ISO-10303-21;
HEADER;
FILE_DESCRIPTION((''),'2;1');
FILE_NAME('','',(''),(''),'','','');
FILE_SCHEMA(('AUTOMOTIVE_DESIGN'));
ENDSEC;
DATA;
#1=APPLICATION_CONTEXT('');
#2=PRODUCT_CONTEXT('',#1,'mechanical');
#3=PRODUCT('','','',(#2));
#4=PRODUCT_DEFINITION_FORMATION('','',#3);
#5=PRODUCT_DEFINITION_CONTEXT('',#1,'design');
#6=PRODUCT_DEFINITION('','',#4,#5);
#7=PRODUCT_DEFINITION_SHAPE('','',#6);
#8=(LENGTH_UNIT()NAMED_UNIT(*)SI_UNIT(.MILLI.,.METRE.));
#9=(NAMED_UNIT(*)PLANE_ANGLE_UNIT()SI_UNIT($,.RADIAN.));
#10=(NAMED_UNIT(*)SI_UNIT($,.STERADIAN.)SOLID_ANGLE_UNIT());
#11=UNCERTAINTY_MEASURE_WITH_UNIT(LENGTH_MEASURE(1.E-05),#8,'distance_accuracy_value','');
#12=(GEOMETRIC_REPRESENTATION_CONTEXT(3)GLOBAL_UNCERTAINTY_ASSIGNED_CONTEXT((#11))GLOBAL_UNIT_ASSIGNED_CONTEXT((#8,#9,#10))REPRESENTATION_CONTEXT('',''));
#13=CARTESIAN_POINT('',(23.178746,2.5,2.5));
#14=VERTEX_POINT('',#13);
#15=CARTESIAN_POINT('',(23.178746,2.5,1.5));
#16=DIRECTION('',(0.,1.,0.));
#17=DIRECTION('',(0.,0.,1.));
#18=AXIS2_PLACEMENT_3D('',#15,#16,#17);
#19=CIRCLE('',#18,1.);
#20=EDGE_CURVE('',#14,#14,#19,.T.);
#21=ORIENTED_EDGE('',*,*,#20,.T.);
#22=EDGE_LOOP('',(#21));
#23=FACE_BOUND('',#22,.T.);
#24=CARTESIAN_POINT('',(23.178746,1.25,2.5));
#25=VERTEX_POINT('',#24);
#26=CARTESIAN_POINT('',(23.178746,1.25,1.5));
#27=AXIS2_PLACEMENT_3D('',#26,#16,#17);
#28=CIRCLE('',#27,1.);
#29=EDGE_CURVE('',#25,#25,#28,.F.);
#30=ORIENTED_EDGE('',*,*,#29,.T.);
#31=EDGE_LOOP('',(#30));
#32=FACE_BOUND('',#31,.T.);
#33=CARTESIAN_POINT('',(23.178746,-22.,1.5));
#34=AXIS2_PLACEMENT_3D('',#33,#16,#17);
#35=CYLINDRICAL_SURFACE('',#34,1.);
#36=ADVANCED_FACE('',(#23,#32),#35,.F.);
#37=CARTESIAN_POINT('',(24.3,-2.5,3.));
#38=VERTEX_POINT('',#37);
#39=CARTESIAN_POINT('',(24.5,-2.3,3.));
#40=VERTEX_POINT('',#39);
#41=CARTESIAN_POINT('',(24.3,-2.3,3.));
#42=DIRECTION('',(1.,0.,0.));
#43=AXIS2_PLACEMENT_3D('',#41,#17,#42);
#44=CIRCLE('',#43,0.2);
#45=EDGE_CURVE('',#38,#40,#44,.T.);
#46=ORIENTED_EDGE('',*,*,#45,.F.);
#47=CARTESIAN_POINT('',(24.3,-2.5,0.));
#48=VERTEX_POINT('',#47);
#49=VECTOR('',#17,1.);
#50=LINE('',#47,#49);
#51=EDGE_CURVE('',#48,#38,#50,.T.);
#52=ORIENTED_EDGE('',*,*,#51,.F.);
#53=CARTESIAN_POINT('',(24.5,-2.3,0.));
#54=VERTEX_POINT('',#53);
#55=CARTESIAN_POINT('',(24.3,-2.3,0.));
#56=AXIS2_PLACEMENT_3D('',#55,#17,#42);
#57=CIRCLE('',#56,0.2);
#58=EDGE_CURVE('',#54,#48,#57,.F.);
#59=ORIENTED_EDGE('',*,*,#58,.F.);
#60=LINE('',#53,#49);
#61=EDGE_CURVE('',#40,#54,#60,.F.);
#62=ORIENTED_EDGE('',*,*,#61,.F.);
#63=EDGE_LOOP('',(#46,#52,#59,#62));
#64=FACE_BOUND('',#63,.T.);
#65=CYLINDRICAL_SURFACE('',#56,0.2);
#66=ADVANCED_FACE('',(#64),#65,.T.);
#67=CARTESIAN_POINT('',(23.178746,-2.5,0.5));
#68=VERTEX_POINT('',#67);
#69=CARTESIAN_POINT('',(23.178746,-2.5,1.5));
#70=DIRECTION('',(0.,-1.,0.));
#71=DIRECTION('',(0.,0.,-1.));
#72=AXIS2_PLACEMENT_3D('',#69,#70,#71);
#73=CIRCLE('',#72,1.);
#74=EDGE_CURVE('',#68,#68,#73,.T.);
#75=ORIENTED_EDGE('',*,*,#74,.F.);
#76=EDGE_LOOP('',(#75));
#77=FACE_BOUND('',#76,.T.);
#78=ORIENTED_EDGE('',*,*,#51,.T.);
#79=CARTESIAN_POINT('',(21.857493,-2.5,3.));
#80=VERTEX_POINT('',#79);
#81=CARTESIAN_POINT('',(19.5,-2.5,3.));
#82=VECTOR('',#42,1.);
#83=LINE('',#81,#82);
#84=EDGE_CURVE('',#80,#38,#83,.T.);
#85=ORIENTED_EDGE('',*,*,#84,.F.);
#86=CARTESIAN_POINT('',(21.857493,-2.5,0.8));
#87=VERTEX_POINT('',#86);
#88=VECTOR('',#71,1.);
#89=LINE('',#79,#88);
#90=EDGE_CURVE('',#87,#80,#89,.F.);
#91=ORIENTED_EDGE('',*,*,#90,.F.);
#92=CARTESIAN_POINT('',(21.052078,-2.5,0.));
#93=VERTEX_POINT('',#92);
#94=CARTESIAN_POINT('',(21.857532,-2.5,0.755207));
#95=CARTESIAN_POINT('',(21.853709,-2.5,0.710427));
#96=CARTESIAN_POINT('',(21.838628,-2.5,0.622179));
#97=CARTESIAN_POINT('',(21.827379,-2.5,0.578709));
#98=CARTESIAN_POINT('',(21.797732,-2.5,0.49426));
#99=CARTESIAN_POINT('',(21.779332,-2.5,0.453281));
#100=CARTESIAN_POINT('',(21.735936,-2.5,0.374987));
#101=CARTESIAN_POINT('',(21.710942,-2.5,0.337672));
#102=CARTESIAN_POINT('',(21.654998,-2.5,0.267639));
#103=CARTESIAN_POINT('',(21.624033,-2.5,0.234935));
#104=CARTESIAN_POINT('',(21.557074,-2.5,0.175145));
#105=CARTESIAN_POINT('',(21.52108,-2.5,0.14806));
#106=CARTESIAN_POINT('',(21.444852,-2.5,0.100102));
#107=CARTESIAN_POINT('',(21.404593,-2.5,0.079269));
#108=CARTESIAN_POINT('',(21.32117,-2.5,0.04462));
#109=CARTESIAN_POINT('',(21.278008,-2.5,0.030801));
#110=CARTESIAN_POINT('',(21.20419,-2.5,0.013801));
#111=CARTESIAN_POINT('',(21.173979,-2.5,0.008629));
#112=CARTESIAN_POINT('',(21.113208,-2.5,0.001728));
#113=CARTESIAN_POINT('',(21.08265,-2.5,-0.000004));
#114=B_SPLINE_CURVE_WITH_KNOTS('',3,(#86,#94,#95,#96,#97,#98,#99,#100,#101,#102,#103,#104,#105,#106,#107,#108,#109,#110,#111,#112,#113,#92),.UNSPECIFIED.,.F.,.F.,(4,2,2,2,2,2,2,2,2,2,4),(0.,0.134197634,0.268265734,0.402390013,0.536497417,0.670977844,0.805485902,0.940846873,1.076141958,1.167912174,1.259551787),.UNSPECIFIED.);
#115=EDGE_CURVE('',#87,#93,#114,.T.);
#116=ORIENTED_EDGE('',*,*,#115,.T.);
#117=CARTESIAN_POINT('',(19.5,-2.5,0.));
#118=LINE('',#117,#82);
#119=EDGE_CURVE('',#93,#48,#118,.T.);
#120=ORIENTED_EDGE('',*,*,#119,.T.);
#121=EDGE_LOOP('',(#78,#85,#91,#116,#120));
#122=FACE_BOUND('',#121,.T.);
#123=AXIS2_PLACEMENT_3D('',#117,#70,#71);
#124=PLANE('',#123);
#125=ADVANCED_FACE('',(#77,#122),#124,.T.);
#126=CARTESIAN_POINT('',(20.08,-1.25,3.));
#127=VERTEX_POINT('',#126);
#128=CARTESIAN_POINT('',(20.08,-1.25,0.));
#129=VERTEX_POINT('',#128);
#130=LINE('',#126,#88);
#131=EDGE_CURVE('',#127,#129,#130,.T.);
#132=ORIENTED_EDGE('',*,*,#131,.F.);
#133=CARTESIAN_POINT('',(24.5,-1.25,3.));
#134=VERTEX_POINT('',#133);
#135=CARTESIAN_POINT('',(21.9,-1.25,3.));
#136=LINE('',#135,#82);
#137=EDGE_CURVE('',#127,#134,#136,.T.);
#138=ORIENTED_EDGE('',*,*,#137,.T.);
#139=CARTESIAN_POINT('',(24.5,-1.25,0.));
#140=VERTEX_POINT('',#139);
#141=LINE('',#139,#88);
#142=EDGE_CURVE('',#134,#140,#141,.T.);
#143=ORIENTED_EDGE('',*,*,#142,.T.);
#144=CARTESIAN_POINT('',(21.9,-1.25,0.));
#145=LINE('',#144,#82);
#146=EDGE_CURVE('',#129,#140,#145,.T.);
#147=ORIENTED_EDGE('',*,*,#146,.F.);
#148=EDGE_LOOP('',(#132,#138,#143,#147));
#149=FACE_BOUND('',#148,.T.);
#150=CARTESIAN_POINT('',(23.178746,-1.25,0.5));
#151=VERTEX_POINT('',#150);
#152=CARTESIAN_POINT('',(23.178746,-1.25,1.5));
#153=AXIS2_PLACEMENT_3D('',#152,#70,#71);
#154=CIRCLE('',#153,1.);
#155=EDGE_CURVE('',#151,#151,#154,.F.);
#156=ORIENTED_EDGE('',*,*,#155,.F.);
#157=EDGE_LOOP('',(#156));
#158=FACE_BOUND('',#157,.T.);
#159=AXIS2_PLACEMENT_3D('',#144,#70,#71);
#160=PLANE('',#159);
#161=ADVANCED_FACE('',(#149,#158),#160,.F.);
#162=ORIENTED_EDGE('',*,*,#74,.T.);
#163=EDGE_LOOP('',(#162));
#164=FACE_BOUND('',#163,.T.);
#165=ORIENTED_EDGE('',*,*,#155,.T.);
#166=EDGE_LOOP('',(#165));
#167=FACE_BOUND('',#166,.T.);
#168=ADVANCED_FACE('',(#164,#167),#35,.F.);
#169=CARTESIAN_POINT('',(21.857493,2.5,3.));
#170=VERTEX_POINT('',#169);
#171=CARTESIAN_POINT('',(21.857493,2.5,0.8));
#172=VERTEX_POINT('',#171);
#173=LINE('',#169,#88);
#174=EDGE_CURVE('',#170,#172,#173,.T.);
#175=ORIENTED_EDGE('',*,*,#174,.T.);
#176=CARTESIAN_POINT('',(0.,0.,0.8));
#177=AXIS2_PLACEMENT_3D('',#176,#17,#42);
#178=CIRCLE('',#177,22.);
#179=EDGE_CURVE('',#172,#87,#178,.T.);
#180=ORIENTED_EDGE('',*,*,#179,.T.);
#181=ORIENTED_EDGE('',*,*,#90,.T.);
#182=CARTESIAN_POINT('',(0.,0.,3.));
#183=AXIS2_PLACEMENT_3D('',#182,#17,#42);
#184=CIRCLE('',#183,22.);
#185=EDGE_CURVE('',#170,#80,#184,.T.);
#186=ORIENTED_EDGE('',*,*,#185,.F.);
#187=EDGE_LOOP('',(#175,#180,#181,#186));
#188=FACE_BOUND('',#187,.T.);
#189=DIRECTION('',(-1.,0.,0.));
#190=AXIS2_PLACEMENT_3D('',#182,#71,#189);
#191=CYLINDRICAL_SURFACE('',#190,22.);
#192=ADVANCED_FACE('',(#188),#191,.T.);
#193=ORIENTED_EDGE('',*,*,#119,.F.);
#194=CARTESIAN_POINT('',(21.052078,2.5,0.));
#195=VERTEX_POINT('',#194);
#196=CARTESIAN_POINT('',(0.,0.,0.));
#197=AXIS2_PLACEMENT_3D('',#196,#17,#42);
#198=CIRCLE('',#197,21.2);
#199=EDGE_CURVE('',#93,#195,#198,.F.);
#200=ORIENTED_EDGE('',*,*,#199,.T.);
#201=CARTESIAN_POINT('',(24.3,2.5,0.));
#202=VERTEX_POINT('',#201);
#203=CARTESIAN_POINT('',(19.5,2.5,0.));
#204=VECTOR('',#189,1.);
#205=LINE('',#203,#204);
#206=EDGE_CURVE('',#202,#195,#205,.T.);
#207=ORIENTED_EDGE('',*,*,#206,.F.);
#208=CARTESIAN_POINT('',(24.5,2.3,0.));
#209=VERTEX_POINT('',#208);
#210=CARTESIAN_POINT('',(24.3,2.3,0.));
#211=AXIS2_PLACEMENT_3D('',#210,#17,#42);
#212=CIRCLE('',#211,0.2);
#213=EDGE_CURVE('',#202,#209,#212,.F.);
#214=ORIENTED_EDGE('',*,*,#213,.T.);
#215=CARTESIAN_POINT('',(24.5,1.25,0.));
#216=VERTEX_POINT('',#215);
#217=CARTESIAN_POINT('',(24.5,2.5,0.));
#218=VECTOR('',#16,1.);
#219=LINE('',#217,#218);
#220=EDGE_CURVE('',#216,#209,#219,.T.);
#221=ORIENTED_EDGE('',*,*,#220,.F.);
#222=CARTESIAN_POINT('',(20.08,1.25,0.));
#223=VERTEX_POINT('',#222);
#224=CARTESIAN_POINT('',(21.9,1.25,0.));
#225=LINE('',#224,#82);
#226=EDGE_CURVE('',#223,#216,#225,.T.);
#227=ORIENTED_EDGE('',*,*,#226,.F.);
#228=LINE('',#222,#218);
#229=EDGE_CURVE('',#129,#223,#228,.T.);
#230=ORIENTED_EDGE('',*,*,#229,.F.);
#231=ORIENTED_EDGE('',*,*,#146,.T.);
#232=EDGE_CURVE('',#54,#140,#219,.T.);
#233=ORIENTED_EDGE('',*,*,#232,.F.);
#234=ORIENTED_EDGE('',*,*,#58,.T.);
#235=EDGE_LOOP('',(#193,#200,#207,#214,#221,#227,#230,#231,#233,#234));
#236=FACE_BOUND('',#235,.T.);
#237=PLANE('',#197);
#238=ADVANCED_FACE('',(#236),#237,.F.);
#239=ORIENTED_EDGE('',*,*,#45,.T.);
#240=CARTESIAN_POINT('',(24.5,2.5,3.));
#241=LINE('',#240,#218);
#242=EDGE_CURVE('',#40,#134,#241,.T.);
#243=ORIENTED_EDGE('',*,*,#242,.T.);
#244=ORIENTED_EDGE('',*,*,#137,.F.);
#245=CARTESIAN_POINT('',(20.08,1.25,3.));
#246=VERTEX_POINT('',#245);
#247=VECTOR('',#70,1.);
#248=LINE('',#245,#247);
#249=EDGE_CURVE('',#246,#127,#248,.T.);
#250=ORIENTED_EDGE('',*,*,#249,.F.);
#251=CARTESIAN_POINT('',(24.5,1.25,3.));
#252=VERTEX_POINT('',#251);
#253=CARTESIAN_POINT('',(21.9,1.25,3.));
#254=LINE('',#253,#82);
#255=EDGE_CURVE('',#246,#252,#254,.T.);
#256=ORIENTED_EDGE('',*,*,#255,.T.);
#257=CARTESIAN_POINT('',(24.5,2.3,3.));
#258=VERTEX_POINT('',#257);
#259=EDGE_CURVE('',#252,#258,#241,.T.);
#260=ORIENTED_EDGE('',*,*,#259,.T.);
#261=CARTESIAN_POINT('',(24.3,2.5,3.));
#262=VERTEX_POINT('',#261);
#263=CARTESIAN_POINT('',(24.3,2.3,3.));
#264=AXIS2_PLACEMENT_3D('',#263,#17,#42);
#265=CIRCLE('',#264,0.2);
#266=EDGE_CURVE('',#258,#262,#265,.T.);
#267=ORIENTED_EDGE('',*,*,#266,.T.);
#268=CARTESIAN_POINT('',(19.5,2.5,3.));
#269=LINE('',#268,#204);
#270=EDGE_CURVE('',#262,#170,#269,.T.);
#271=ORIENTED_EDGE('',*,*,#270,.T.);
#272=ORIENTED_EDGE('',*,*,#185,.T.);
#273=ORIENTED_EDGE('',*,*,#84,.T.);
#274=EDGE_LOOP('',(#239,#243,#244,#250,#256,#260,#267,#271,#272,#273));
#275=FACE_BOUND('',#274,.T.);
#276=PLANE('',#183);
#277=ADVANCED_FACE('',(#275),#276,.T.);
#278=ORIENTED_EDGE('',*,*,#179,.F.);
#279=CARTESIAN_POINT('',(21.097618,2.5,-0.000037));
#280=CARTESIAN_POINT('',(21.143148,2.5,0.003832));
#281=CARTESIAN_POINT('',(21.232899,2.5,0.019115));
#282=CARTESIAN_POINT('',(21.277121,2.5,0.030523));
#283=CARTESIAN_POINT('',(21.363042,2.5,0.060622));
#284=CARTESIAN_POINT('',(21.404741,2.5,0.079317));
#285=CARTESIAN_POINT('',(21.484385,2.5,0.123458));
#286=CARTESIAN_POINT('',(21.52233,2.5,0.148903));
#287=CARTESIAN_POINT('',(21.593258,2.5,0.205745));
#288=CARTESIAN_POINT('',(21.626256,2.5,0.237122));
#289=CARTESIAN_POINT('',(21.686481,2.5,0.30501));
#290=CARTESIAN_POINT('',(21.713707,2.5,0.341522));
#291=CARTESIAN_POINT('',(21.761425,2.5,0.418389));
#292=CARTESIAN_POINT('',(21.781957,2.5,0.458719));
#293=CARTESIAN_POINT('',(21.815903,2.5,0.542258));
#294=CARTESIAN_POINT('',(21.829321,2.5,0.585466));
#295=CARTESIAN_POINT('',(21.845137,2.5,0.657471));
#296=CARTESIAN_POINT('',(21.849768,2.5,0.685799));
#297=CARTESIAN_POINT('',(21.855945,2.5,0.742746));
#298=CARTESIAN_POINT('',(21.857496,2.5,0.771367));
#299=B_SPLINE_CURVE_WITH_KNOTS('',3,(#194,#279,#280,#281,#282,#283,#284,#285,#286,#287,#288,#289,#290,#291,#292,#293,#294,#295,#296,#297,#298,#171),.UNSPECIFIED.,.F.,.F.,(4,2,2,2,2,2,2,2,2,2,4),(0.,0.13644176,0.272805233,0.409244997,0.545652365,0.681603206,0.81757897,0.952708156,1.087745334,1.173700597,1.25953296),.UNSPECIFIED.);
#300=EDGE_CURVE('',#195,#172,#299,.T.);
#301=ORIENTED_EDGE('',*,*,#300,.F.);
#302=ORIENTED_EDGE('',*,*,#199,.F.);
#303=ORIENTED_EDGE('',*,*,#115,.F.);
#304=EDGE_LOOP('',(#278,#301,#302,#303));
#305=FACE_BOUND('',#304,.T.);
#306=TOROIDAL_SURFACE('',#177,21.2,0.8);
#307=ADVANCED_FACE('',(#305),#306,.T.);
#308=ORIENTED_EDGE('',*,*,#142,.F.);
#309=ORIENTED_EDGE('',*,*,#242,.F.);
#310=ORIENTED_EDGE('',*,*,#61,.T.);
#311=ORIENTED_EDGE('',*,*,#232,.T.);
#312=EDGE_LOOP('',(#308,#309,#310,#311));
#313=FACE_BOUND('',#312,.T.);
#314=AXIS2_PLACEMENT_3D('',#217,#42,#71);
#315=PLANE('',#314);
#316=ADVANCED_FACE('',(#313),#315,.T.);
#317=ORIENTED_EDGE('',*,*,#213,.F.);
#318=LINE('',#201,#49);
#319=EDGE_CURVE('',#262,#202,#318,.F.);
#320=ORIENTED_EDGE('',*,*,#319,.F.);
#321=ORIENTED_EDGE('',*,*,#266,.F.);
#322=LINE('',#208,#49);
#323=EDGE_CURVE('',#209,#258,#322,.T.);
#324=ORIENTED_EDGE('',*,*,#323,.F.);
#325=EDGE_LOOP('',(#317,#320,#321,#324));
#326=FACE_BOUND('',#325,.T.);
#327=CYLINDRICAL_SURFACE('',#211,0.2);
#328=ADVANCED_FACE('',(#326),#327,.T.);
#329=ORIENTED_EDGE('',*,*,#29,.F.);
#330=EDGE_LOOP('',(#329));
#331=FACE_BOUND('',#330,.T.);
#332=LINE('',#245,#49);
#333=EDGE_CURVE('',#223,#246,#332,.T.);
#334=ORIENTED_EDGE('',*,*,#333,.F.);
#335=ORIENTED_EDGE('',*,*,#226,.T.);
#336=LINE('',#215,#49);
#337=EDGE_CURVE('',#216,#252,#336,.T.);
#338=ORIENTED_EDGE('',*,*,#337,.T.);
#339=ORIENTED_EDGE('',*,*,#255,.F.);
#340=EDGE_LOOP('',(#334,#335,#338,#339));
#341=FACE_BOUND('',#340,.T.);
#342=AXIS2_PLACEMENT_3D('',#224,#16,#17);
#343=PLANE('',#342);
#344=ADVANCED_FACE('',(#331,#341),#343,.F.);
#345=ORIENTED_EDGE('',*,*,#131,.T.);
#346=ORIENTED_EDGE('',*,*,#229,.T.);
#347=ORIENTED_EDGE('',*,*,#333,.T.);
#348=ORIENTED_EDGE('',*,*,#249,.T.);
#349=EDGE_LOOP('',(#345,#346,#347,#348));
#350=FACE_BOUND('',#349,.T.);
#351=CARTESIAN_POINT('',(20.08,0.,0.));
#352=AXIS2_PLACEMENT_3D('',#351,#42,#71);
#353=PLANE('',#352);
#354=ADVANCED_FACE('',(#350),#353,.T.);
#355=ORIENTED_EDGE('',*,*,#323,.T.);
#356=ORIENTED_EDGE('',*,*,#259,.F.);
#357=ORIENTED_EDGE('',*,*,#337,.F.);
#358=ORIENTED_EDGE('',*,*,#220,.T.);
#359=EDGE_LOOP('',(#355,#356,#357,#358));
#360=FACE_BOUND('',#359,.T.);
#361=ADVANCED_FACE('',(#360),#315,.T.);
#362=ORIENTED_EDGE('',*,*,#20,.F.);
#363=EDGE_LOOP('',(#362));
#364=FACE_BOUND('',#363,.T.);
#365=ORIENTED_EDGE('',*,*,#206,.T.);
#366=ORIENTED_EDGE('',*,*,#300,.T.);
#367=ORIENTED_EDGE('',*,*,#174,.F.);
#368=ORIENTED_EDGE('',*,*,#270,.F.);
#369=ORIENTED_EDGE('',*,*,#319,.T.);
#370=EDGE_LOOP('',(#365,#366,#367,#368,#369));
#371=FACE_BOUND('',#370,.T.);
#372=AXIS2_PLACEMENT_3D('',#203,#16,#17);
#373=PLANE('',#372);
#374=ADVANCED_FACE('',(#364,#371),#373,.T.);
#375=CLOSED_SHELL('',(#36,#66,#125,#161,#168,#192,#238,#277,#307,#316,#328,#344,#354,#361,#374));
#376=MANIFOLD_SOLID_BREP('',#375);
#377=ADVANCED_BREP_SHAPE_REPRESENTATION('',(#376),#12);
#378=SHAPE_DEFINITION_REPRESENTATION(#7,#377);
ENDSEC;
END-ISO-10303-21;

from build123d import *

# Parameters (mm, degrees)
SKETCH1_R               = 22
BOSS_EXTRUDE1_DEPTH     = 3
SKETCH2_W               = 5
SKETCH2_H               = 5
BOSS_EXTRUDE2_DEPTH     = 3
CUT_EXTRUDE1_DEPTH      = 35.777866525
CUT_EXTRUDE1_DEPTH_BACK = 35.777866525
SKETCH3_R               = 1
SKETCH4_W               = 3
SKETCH4_H               = 2.5
CUT_EXTRUDE2_DEPTH      = 2.6
FILLET1_R               = 0.2
FILLET2_R               = 0.8
SKETCH5_W               = 3
SKETCH5_H               = 2.5
CUT_EXTRUDE3_DEPTH      = 1.82


with BuildPart() as part:
    # Sketch1 → Boss-Extrude1 (new body)
    with BuildSketch(Plane.XY):
        Circle(SKETCH1_R)
    extrude(amount=BOSS_EXTRUDE1_DEPTH)

    # Sketch2 → Boss-Extrude2 (add)
    with BuildSketch(Plane.XY.offset(3)):
        with Locations((22, 0)):
            Rectangle(SKETCH2_W, SKETCH2_H)
    extrude(amount=-BOSS_EXTRUDE2_DEPTH)

    # Sketch3 → Cut-Extrude1 (cut, two sides: drawn at the far end of the back side and taken through both)
    with BuildSketch(Plane(origin=(0, 2.5, 0), x_dir=(1, 0, 0), z_dir=(0, 1, 0)).offset(-CUT_EXTRUDE1_DEPTH_BACK)):
        with Locations(Location((23.178746497, -1.5, 0), (0, 0, 270))):
            Circle(SKETCH3_R)
    extrude(amount=CUT_EXTRUDE1_DEPTH + CUT_EXTRUDE1_DEPTH_BACK, mode=Mode.SUBTRACT)

    # Sketch4 → Cut-Extrude2 (cut)
    with BuildSketch(Plane(origin=(24.5, 0, 0), x_dir=(0, 0, -1), z_dir=(1, 0, 0))):
        with Locations((-1.5, 0)):
            Rectangle(SKETCH4_W, SKETCH4_H)
    extrude(amount=-CUT_EXTRUDE2_DEPTH, mode=Mode.SUBTRACT)

    # Fillet1
    fillet1_edges = [part.edges().sort_by_distance(p)[0] for p in [
        (24.5, -2.5, 1.5),
        (24.5, 2.5, 1.5),
    ]]
    fillet(fillet1_edges, radius=FILLET1_R)

    # Fillet2
    fillet2_edges = [part.edges().sort_by_distance(p)[0] for p in [
        (-22, 0, 0),
    ]]
    fillet(fillet2_edges, radius=FILLET2_R)

    # Sketch5 → Cut-Extrude3 (cut)
    with BuildSketch(Plane(origin=(21.9, 0, 0), x_dir=(0, 0, -1), z_dir=(1, 0, 0))):
        with Locations((-1.5, 0)):
            Rectangle(SKETCH5_W, SKETCH5_H)
    extrude(amount=-CUT_EXTRUDE3_DEPTH, mode=Mode.SUBTRACT)


solid = part.part
